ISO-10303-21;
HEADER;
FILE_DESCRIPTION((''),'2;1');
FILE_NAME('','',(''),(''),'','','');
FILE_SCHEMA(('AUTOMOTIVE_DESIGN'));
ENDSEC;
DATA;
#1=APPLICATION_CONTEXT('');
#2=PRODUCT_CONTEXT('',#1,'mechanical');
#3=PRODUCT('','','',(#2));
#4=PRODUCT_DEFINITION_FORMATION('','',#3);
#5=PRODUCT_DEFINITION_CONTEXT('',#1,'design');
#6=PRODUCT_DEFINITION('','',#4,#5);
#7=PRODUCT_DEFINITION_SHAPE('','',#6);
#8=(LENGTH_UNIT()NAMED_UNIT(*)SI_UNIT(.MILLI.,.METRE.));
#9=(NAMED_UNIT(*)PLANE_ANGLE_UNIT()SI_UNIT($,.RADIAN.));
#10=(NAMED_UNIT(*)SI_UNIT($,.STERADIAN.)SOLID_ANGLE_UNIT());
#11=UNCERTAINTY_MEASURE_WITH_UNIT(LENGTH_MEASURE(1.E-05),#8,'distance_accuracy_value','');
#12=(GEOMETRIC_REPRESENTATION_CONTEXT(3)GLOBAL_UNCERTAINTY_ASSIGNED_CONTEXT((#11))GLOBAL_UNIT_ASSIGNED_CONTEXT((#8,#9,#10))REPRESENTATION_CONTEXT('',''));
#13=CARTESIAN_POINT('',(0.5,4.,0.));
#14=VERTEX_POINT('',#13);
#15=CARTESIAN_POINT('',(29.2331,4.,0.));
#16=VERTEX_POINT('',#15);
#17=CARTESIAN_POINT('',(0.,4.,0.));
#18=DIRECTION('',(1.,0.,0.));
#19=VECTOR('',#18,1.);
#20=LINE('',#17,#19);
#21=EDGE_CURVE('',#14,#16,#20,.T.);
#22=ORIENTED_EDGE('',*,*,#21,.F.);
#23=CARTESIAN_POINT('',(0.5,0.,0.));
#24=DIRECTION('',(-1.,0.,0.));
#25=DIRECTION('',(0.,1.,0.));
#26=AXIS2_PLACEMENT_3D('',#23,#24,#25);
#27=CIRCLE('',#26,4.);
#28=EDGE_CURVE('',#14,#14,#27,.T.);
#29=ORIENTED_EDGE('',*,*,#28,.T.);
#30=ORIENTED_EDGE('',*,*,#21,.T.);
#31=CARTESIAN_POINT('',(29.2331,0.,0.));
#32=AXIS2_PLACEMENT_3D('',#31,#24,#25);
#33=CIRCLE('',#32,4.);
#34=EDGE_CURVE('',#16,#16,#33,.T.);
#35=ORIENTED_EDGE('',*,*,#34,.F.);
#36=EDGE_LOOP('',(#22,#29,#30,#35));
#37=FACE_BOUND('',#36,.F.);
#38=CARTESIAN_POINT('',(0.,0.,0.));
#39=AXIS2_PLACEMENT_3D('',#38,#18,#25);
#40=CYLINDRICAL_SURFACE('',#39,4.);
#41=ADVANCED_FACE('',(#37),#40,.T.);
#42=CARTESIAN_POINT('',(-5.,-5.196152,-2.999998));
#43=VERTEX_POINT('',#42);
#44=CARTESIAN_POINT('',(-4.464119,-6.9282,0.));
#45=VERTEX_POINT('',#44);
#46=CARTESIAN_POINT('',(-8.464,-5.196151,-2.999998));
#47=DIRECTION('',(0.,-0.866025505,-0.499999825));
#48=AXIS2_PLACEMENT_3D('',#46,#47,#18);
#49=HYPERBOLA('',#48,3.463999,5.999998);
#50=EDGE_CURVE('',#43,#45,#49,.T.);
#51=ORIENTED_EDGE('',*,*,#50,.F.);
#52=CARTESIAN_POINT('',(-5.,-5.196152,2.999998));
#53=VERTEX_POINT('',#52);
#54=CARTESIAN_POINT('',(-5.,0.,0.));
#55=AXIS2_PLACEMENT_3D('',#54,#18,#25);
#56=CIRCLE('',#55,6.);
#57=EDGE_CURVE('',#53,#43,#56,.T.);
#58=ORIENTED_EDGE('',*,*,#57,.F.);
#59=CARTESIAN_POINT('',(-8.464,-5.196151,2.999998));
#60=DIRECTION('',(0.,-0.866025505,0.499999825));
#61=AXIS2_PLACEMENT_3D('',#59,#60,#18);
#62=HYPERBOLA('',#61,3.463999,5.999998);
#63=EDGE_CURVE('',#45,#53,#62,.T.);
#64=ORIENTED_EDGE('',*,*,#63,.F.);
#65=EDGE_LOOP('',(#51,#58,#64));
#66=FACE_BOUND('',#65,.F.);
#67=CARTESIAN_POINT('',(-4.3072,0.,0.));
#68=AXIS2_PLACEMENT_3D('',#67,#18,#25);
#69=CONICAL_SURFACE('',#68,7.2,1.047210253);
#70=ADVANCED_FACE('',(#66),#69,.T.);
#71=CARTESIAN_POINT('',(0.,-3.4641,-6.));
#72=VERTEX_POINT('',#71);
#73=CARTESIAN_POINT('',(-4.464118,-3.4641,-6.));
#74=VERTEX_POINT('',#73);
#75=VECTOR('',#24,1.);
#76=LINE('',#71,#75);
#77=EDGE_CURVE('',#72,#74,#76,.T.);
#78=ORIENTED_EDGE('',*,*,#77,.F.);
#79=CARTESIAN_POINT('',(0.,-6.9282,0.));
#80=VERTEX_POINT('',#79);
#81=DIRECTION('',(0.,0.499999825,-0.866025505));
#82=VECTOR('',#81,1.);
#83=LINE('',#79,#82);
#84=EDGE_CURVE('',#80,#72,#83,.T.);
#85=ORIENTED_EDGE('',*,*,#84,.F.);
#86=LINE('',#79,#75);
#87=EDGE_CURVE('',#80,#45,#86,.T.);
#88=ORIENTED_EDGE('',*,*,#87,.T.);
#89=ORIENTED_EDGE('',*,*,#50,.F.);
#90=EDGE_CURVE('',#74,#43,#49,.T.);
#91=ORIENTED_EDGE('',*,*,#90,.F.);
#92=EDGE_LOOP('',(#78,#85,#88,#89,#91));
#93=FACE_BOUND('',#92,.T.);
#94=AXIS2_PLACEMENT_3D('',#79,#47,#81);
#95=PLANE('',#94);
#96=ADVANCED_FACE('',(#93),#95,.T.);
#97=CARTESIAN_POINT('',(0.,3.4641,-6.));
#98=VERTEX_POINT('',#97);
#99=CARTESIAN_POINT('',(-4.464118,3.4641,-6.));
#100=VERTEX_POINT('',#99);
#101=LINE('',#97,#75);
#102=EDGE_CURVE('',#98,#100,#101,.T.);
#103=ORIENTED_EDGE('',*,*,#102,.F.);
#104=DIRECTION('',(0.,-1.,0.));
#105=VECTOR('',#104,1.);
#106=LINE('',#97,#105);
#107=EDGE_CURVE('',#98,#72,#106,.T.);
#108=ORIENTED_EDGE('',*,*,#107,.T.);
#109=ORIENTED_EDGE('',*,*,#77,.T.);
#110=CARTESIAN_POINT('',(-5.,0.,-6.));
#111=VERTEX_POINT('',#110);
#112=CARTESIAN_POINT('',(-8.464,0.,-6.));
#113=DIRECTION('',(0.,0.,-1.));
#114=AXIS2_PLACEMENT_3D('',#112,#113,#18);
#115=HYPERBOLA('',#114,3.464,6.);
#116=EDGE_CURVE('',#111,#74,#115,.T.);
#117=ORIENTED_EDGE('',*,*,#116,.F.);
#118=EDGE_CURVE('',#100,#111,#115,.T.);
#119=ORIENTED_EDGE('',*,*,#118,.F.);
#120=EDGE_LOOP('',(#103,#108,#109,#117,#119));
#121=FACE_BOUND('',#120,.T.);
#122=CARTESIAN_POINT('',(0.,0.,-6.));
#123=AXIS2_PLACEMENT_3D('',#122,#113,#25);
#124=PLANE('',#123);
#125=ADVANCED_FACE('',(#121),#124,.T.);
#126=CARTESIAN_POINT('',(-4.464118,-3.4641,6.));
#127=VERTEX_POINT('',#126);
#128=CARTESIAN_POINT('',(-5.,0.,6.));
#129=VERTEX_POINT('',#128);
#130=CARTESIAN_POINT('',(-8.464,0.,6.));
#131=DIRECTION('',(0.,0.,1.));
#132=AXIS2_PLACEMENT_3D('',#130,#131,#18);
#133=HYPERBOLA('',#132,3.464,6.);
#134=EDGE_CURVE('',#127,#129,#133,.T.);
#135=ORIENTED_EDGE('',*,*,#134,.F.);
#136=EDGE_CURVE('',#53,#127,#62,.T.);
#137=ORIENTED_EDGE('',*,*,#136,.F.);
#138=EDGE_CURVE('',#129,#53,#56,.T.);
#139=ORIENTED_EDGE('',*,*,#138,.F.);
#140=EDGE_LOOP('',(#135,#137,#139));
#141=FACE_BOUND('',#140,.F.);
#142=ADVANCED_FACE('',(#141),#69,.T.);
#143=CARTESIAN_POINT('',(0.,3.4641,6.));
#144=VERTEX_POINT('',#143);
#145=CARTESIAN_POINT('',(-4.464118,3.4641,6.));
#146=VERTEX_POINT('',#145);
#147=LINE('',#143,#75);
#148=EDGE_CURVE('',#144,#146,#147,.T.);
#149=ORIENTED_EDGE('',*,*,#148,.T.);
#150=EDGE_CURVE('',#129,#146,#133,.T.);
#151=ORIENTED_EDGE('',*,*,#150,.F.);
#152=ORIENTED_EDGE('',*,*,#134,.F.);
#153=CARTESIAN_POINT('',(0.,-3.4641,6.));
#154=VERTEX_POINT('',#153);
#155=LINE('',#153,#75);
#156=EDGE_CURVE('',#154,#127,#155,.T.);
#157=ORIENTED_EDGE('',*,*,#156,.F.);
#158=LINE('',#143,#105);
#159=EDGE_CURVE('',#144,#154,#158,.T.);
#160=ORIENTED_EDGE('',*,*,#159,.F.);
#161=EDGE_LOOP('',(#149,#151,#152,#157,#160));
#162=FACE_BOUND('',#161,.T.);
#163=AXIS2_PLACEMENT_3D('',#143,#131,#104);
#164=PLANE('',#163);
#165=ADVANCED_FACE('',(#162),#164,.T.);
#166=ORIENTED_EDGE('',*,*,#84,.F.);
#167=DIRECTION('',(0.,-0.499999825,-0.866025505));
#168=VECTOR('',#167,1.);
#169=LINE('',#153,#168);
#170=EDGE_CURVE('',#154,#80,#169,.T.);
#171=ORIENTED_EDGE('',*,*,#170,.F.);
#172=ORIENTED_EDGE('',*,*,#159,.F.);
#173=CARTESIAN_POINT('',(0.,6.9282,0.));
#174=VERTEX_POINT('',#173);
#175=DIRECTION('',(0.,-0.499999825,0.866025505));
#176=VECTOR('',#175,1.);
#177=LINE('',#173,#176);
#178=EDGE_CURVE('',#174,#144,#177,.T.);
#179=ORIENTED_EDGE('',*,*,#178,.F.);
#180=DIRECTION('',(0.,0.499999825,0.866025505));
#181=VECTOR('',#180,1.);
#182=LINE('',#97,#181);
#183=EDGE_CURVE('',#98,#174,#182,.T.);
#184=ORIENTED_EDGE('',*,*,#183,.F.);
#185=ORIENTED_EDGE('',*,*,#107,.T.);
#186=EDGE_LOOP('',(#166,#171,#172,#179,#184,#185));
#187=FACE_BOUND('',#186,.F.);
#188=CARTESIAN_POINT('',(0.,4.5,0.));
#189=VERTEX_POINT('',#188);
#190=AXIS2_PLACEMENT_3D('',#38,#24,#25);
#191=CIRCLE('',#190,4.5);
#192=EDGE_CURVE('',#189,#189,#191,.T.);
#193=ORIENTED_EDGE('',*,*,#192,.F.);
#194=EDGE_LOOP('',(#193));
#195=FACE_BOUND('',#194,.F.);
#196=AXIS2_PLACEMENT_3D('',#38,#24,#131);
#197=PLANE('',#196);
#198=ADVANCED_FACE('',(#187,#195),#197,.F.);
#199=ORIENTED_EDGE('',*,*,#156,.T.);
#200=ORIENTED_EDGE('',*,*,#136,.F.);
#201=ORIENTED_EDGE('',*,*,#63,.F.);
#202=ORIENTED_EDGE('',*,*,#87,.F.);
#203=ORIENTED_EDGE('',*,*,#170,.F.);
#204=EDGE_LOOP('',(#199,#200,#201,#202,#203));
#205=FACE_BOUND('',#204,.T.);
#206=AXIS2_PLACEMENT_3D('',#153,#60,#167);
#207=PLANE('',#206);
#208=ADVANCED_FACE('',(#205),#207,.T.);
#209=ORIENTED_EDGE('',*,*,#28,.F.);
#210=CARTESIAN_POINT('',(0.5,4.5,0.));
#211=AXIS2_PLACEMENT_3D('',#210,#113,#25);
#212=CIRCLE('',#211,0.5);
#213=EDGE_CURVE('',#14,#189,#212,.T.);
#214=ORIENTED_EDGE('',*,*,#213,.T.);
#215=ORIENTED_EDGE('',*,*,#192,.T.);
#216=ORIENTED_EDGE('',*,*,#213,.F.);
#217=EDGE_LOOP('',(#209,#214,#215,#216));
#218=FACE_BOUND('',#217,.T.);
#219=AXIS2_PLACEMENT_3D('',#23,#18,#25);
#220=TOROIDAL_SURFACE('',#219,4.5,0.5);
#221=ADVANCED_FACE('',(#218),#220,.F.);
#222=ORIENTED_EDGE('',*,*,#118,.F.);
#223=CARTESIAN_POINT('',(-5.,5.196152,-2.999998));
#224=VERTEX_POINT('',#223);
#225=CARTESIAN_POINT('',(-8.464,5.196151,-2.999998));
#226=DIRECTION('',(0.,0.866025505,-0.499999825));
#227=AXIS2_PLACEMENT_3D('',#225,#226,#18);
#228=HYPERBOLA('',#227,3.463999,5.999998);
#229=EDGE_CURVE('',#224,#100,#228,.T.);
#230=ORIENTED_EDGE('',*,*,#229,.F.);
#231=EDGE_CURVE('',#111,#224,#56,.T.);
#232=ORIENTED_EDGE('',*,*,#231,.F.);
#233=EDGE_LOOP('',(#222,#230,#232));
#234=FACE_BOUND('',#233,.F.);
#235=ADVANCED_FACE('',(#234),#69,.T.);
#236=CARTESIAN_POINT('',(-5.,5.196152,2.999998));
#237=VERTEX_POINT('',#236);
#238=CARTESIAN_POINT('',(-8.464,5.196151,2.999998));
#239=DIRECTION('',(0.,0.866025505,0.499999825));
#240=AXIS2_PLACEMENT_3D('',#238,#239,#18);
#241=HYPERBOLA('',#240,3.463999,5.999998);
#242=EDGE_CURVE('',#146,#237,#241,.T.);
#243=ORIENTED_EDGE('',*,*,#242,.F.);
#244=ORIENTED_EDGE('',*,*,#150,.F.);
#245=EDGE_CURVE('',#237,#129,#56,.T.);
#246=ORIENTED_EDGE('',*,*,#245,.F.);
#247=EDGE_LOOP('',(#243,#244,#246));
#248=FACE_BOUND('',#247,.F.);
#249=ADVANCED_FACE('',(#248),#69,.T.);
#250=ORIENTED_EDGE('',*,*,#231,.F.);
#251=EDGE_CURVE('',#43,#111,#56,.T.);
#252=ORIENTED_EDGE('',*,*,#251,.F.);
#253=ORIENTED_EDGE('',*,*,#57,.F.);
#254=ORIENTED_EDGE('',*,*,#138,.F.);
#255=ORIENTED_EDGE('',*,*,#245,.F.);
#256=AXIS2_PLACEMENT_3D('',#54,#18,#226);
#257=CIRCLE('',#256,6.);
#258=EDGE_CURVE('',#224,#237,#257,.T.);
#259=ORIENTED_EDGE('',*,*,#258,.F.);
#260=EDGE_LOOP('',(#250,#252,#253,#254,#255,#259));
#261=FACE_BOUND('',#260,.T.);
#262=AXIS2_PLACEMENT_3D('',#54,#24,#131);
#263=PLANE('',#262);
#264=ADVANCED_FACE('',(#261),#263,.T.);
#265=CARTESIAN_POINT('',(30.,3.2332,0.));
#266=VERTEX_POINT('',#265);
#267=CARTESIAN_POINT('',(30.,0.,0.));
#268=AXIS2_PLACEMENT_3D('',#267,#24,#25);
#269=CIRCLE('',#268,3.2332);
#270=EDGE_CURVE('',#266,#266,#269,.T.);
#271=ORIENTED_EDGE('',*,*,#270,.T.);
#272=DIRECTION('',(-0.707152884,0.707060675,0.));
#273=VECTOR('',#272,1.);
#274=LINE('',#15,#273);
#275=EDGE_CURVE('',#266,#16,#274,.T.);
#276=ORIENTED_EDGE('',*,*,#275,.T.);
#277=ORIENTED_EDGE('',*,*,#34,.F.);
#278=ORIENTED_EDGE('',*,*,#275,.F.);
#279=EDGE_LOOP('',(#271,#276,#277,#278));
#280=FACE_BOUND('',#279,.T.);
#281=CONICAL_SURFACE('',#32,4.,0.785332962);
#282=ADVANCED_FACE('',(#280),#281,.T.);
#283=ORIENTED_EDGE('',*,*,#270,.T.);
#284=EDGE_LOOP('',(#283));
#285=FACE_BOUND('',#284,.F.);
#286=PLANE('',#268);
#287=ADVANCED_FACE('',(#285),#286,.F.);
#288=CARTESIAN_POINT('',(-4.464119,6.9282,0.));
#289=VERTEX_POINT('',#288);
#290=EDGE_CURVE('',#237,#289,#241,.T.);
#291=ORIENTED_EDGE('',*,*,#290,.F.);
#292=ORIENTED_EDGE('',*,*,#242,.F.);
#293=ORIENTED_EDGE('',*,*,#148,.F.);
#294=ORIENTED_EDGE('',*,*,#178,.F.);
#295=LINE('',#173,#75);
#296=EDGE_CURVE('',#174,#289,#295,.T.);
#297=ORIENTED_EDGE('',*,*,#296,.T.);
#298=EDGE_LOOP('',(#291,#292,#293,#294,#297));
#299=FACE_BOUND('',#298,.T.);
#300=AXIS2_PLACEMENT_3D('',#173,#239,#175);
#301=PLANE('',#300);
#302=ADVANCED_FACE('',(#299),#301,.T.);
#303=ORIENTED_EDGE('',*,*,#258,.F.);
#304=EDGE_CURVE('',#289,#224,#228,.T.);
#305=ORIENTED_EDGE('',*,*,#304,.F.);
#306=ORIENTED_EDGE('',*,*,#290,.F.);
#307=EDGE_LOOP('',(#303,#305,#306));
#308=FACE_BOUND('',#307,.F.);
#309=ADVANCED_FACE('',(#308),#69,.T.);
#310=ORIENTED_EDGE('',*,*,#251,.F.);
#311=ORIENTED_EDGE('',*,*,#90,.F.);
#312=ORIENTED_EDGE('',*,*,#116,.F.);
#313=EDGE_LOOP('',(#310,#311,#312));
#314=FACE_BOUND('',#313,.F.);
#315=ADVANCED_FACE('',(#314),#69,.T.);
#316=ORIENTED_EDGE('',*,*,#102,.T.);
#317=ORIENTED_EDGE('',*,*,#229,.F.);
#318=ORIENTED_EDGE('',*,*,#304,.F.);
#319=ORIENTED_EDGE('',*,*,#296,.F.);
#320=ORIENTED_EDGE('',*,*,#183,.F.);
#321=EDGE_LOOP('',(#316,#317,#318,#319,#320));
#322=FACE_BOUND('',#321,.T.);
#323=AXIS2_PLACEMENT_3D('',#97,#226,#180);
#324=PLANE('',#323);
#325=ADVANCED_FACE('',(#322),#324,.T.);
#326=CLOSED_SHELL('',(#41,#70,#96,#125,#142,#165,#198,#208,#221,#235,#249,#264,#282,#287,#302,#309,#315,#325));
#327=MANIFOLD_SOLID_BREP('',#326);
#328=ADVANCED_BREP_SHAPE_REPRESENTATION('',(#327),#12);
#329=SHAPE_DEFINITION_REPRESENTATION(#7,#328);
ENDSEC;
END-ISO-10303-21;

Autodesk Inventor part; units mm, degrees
ref_plane "YZ Plane" through (0, 0, 0) normal (1, 0, 0) x (0, 1, 0)
ref_plane "XZ Plane" through (0, 0, 0) normal (0, 1, 0) x (-1, 0, 0)
sketch "Náčrt1" plane through (0, 0, 0) normal (0, 0, 1) x (1, 0, 0)
  line L0 (0, 4) -> (30, 4)
  line L1 (30, 4) -> (30, 0)
  line L2 (30, 0) -> (0, 0)
  line L3 (-6, 0) -> (36, 0) projected
  line L4 (0, -0.8) -> (0, 4.8) projected
  line L5 (0, 4) -> (0, 0)
  dimension "d2" = 8
  dimension "d59" = 30
revolve "Těleso" add sketch "Náčrt1" angle 360 about axis through (30, 0, 0) along (-1, 0, 0)
sketch "Náčrt2" plane through (0, 0, 0) normal (-1, 0, 0) x (0, 0, 1)
  line L0 (0, 6.9282) -> (6, 3.4641)
  line L1 (6, 3.4641) -> (6, -3.4641)
  line L2 (6, -3.4641) -> (0, -6.9282)
  line L3 (0, -6.9282) -> (-6, -3.4641)
  line L4 (-6, -3.4641) -> (-6, 3.4641)
  line L5 (-6, 3.4641) -> (0, 6.9282)
  line L6 (-8.4, 0) -> (8.4, 0) projected
  line L7 (0, 9.6995) -> (0, -9.6995) projected
  point P0 (0, 0)
  point P1 (0, 0)
  dimension "d11" = 12
extrude "Hlava" add sketch "Náčrt2" along normal blind 5
sketch "Náčrt4" plane through (0, 0, 0) normal (0, 0, 1) x (1, 0, 0)
  line L0 (-4.3072, 7.2) -> (-5, 6)
  line L1 (-1.1, 0) -> (-0.234, 0)
  line L2 (-5.9532, 0) -> (0.7192, 0) projected
  line L3 (-5, 7.2) -> (-4.3072, 7.2)
  line L4 (-5, 6) -> (-5, 7.2)
  line L5 (0, 8.64) -> (0, -1.44) projected
  dimension "d65" = 12
  dimension "d67" = 30
  dimension "d68" = 14.4
  dimension "d69" = 5
revolve "Zkosení1" cut sketch "Náčrt4" angle 360 about axis through (-1.1, 0, 0) along (1, 0, 0)
thread "Závit" size "M8x1.25" class "6g" standard "ISO Metric profile" length 14
chamfer "Zkosení2" distance 0.7668 distance2 0.7669 1 edges at (30, -4, 0) measured on face at (30, -0.998, 0.8842)
fillet "Fillet2" radius 0.5 1 edges at (0, -4, 0)
ref_plane "Work Plane1" through (1.525, 0, 0) normal (0, 0, 1) x (1, 0, 0)
equation "\"d2\" = GD"
equation "\"d59\" = NLG"
equation "\"d11\" = SW"
equation "\"d3\" = KOH"
equation "\"d71\" = RR"
equation "\"d15\" = GEL"
equation "\"d6\" = -0.5 * SPD + 0.5 * GD"
equation "\"d65\" = SW"
equation "\"d67\" = ANG1"
equation "\"d68\" = 1.2 * SW"
equation "\"d69\" = KOH"
equation "\"NLG\" = 30"
equation "\"GD\" = NND"
equation "\"BDM\" = NND"
equation "\"KOH\" = 5"
equation "\"GEL\" = 14"
equation "\"SW\" = 12"
equation "\"SW0\" = 12"
equation "\"SPD\" = NND - 1.2269 * PTC"
equation "\"SD2\" = NND"
equation "\"SD\" = 0"
equation "\"ANG1\" = 30deg"
equation "\"GAL\" = 0.61345 * PTC"
equation "\"GUL\" = 0.61345 * PTC"
equation "\"RR\" = 0.5"
equation "\"RR1\" = 0.1"
equation "\"GD1\" = THREADDIA - 1.2269 * PTC"
equation "\"THREADDIA\" = 8"
equation "\"TOA\" = 30deg"
equation "\"FAWI\" = 60deg"
equation "\"PTC\" = 1.25"
equation "\"NND\" = 8"
equation "\"E0\" = 1.155 * SW"
properties part number "CSN 02 1201 - M8 x 30" material "Nerezová ocel"
